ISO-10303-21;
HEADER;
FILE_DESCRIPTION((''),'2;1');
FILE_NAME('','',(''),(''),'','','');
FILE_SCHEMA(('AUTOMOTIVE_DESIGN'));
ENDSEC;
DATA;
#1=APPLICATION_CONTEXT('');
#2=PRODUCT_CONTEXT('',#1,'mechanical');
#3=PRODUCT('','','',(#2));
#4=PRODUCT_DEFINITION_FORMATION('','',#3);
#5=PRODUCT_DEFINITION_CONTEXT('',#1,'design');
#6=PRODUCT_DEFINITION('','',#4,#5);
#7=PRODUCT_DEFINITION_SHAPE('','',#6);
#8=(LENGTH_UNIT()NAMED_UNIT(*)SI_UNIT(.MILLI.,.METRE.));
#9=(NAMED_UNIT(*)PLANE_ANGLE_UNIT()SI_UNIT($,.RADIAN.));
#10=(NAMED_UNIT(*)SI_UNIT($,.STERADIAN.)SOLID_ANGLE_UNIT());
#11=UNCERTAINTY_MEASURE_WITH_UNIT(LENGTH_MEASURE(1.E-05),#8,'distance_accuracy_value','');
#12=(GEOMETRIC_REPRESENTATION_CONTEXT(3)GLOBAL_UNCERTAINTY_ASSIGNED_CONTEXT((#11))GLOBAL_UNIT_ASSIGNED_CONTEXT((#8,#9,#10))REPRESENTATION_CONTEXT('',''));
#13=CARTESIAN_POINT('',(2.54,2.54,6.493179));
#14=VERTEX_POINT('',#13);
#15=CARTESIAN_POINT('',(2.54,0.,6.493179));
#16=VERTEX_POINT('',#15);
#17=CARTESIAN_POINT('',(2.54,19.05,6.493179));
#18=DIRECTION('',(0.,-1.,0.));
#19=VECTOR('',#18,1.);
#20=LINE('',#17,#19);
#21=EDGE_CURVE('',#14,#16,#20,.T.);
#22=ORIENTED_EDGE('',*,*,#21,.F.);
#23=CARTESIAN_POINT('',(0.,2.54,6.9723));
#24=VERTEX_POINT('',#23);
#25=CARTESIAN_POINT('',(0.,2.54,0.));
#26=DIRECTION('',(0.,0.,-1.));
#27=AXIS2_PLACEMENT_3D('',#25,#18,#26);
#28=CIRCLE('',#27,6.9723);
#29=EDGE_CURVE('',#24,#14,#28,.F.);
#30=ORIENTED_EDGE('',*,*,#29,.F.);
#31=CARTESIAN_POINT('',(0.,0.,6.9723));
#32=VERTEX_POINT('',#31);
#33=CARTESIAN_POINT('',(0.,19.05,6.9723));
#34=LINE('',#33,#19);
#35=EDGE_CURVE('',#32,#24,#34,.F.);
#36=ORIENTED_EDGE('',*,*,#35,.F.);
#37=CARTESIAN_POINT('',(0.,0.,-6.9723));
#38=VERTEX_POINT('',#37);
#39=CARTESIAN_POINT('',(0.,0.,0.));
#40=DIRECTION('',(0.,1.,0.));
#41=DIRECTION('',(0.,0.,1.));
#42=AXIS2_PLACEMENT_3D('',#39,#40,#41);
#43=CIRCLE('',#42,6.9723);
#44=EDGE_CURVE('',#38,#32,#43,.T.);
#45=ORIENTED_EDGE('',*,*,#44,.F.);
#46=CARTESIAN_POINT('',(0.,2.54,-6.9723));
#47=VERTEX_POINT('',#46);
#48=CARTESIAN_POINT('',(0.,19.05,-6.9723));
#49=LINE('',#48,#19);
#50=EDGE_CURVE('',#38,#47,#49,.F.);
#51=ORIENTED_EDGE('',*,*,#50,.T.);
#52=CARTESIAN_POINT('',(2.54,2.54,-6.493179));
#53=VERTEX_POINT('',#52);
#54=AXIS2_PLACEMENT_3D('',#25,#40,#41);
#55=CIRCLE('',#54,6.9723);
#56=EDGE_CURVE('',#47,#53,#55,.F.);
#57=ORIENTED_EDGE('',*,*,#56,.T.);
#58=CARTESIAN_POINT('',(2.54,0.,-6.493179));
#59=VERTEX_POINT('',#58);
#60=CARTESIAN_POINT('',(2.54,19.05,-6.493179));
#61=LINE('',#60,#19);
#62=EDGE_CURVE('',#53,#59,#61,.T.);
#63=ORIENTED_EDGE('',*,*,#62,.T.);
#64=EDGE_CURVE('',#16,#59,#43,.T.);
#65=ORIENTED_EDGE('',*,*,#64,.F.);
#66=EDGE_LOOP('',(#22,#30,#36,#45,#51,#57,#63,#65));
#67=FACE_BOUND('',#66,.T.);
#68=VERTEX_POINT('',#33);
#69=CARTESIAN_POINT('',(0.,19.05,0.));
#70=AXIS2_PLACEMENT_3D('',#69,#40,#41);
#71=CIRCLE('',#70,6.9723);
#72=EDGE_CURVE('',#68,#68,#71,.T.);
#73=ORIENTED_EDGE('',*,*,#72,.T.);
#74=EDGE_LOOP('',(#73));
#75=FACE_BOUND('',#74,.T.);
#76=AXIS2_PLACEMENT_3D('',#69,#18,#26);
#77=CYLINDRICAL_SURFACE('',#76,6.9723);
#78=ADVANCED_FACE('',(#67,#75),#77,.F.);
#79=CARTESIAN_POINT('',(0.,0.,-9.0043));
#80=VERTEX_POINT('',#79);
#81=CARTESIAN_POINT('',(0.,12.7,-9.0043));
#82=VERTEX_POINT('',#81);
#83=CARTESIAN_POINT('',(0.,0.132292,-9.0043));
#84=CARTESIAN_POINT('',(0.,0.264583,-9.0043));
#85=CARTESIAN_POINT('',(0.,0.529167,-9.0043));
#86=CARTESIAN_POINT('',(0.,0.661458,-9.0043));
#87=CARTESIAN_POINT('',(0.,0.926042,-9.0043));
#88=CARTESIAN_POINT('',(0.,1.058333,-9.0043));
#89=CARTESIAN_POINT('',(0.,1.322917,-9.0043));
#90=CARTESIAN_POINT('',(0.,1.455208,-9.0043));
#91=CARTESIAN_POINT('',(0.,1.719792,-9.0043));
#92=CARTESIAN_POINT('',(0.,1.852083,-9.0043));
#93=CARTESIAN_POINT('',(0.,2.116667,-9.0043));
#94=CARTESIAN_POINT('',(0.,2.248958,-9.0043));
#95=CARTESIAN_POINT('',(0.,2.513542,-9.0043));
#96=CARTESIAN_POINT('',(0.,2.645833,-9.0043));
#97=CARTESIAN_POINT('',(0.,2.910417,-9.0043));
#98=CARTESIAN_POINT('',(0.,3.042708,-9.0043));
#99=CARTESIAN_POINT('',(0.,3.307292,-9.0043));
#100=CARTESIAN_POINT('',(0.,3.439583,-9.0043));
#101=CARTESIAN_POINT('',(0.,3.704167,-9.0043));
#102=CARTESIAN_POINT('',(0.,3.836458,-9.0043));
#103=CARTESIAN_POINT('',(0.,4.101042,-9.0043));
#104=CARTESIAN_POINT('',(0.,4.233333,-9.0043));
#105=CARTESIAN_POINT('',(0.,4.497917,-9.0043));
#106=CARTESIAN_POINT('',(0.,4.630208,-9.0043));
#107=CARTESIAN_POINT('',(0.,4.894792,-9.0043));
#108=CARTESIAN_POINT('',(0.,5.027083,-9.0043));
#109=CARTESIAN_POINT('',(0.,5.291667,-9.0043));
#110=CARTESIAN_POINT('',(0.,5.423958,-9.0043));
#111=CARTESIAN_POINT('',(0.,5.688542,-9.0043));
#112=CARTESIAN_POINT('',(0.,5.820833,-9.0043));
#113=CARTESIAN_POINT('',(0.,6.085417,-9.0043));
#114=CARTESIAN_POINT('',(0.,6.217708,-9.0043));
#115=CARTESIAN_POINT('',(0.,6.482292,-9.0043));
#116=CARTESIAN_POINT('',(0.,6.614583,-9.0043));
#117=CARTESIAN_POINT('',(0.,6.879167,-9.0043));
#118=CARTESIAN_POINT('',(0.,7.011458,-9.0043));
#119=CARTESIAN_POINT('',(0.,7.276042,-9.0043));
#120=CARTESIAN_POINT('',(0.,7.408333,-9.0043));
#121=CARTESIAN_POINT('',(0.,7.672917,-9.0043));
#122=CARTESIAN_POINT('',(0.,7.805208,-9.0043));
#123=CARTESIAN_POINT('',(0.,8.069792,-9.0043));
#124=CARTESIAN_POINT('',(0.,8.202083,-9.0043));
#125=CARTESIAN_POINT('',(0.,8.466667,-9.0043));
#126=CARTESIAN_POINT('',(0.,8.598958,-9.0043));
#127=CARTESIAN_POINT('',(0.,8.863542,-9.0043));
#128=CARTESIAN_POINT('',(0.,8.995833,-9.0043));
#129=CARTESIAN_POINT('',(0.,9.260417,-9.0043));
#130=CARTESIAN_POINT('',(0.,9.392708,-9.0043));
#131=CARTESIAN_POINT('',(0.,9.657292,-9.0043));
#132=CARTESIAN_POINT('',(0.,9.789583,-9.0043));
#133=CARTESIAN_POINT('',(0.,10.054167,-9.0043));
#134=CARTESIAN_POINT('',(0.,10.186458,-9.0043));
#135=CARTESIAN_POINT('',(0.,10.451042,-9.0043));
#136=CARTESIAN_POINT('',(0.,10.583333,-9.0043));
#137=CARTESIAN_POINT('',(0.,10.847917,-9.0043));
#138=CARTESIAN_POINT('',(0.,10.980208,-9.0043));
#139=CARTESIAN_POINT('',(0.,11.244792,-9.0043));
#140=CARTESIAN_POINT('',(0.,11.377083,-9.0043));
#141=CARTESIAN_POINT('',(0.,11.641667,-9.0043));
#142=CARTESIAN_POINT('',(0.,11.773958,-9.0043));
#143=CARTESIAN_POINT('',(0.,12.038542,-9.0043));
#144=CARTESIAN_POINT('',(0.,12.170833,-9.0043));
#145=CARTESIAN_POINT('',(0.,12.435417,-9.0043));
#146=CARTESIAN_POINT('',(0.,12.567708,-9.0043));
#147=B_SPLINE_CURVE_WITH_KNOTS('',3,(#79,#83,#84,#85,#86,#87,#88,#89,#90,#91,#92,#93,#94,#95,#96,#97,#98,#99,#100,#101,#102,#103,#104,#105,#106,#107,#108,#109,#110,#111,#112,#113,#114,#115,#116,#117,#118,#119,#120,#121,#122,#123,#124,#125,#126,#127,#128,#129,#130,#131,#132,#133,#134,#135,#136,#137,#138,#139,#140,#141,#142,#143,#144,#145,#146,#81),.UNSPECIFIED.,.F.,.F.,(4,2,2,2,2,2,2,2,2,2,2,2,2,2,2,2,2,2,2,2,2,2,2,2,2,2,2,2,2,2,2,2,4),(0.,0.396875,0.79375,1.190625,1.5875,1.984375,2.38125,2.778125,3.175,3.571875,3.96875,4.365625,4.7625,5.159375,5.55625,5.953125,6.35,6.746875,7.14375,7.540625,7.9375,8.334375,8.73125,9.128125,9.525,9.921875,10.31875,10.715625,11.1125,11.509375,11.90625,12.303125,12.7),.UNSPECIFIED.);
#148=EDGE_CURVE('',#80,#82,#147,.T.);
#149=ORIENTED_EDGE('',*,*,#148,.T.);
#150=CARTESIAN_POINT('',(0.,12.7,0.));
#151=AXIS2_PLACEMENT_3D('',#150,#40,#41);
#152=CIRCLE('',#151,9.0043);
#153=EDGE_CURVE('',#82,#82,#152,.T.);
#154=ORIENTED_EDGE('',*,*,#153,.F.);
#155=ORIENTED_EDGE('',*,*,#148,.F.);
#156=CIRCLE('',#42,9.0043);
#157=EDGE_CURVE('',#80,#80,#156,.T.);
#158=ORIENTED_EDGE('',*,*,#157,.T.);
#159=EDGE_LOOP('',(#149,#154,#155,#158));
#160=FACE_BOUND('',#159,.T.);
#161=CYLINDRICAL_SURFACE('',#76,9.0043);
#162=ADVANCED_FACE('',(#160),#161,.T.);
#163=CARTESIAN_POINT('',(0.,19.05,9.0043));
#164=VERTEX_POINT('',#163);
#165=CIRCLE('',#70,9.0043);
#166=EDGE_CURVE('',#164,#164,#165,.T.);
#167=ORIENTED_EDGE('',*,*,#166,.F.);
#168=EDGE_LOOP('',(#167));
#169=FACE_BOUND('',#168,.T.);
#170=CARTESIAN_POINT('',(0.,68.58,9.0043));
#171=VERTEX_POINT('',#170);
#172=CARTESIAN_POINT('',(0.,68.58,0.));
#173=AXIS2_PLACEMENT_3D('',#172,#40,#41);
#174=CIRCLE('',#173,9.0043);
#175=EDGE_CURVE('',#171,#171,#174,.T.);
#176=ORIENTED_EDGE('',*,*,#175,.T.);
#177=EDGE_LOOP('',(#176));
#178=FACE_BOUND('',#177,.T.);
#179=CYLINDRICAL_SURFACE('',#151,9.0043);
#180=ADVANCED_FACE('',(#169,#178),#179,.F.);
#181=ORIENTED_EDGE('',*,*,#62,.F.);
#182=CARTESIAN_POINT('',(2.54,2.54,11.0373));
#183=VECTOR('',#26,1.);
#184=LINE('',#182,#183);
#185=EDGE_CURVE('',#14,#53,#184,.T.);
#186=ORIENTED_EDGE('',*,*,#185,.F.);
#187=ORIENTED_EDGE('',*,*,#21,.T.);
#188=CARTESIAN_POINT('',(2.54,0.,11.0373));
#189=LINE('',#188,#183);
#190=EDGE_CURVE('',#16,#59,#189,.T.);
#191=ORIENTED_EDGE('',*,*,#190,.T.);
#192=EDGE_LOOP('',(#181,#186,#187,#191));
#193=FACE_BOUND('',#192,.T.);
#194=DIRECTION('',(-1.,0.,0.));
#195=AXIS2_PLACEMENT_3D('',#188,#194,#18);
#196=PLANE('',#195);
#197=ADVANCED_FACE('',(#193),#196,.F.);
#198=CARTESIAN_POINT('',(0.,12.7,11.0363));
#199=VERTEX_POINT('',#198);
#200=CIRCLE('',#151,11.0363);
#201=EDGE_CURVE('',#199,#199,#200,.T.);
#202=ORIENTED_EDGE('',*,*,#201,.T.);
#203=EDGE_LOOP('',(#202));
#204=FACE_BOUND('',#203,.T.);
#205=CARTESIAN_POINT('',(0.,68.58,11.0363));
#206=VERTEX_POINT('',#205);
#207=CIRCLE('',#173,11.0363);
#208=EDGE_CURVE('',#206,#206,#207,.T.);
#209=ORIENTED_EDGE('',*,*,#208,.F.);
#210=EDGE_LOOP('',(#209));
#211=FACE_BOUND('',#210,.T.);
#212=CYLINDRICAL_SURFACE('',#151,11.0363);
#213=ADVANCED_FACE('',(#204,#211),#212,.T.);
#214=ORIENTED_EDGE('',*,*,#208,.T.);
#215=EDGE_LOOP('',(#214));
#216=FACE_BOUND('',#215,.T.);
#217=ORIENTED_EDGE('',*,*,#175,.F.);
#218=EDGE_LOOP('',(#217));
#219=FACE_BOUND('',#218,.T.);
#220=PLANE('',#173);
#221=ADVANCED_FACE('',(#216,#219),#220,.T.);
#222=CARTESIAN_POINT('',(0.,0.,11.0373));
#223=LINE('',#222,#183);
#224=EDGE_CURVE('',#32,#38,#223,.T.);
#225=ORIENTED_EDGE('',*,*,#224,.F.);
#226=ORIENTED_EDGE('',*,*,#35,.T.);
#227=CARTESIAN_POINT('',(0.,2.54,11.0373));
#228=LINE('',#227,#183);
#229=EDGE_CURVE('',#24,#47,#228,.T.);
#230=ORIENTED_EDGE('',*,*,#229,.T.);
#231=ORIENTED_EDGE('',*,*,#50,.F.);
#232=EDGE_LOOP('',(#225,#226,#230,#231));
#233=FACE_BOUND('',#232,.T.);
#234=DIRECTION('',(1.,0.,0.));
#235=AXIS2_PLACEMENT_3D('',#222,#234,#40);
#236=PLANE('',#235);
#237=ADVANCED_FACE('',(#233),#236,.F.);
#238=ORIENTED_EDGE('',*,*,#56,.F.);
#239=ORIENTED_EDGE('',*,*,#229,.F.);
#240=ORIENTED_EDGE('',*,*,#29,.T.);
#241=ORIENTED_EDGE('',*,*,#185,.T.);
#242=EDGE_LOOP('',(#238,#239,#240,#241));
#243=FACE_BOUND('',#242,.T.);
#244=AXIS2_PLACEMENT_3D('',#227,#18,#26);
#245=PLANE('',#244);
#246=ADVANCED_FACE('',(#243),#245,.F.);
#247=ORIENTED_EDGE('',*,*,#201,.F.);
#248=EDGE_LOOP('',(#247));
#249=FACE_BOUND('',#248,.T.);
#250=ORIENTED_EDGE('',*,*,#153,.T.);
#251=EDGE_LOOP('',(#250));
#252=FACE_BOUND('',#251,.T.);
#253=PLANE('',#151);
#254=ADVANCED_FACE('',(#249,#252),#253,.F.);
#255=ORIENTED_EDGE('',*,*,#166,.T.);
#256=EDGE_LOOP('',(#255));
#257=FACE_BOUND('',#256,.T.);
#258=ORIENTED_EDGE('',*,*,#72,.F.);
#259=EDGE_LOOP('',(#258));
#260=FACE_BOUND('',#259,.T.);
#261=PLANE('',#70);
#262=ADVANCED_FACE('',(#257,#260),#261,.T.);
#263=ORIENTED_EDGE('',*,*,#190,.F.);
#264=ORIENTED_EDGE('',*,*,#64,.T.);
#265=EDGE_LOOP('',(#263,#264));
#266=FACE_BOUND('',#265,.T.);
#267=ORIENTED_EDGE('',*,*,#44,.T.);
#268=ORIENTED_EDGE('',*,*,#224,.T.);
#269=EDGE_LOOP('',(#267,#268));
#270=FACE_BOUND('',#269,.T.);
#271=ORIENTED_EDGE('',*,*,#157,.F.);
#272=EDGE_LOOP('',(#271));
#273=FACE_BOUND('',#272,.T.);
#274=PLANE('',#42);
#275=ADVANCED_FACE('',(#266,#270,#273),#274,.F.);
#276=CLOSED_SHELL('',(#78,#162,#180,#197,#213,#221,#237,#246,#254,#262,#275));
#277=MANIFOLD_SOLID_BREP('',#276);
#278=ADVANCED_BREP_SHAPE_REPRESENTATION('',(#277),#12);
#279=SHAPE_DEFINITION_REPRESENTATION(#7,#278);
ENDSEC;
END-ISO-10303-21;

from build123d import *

# Parameters (mm, degrees)
SKETCH1_R                            = 9.0043
SKETCH1_R_2                          = 6.9723
BOSS_EXTRUDE1_DEPTH                  = 19.05
BOSS_EXTRUDE2_DEPTH                  = 49.53
BOSS_EXTRUDE2_DEPTH_BACK             = 6.35
SKETCH2_R                            = 11.0363
SKETCH2_R_2                          = 9.0043
BOSS_EXTRUDE3_REACH                  = 72.334
BOSS_EXTRUDE3_END_RADIUS             = 6.9723
SKETCH3_W                            = 2.54
SKETCH3_H                            = 2.54
BOSS_EXTRUDE3_DIRECTION_2_REACH      = 72.334
BOSS_EXTRUDE3_DIRECTION_2_END_RADIUS = 6.9723


with BuildPart() as part:
    # Sketch1 → Boss-Extrude1 (new body)
    with BuildSketch(Plane(origin=(0, 0, 0), x_dir=(1, 0, 0), z_dir=(0, 1, 0))):
        with Locations(Location((0, 0, 0), (0, 0, 90))):
            Circle(SKETCH1_R)
        with Locations(Location((0, 0, 0), (0, 0, 90))):
            Circle(SKETCH1_R_2, mode=Mode.SUBTRACT)
    extrude(amount=BOSS_EXTRUDE1_DEPTH)

    # Sketch2 → Boss-Extrude2 (add, two sides: drawn at the far end of the back side and taken through both)
    with BuildSketch(Plane(origin=(0, 19.05, 0), x_dir=(1, 0, 0), z_dir=(0, 1, 0)).offset(-BOSS_EXTRUDE2_DEPTH_BACK)):
        with Locations(Location((0, 0, 0), (0, 0, 270))):
            Circle(SKETCH2_R)
        with Locations(Location((0, 0, 0), (0, 0, 90))):
            Circle(SKETCH2_R_2, mode=Mode.SUBTRACT)
    extrude(amount=BOSS_EXTRUDE2_DEPTH + BOSS_EXTRUDE2_DEPTH_BACK)

    # Boss-Extrude3: up to this cylinder (the profile starts inside it)
    boss_extrude3_end = Plane(origin=(0, 1.27, 0), z_dir=(0, -1, 0)) * Cylinder(BOSS_EXTRUDE3_END_RADIUS, 159.6126, mode=Mode.PRIVATE)
    # Sketch3 → Boss-Extrude3 (add, up to the surface)
    with BuildSketch(Plane.XY, mode=Mode.PRIVATE) as boss_extrude3_sk1:
        with Locations((1.27, 1.27)):
            Rectangle(SKETCH3_W, SKETCH3_H)
    boss_extrude3_tool1 = extrude(boss_extrude3_sk1.sketch, amount=BOSS_EXTRUDE3_REACH, mode=Mode.PRIVATE) & boss_extrude3_end
    add(boss_extrude3_tool1.solids().sort_by_distance((1.27, 1.27, 0))[0])

    # Boss-Extrude3 direction 2: up to this cylinder (the profile starts inside it)
    boss_extrude3_direction_2_end = Plane(origin=(0, 1.27, 0), z_dir=(0, -1, 0)) * Cylinder(BOSS_EXTRUDE3_DIRECTION_2_END_RADIUS, 159.6126, mode=Mode.PRIVATE)
    # Sketch3 → Boss-Extrude3 direction 2 (add, up to the surface)
    with BuildSketch(Plane.XY, mode=Mode.PRIVATE) as boss_extrude3_direction_2_sk1:
        with Locations((1.27, 1.27)):
            Rectangle(SKETCH3_W, SKETCH3_H)
    boss_extrude3_direction_2_tool1 = extrude(boss_extrude3_direction_2_sk1.sketch, amount=-BOSS_EXTRUDE3_DIRECTION_2_REACH, mode=Mode.PRIVATE) & boss_extrude3_direction_2_end
    add(boss_extrude3_direction_2_tool1.solids().sort_by_distance((1.27, 1.27, 0))[0])


solid = part.part
